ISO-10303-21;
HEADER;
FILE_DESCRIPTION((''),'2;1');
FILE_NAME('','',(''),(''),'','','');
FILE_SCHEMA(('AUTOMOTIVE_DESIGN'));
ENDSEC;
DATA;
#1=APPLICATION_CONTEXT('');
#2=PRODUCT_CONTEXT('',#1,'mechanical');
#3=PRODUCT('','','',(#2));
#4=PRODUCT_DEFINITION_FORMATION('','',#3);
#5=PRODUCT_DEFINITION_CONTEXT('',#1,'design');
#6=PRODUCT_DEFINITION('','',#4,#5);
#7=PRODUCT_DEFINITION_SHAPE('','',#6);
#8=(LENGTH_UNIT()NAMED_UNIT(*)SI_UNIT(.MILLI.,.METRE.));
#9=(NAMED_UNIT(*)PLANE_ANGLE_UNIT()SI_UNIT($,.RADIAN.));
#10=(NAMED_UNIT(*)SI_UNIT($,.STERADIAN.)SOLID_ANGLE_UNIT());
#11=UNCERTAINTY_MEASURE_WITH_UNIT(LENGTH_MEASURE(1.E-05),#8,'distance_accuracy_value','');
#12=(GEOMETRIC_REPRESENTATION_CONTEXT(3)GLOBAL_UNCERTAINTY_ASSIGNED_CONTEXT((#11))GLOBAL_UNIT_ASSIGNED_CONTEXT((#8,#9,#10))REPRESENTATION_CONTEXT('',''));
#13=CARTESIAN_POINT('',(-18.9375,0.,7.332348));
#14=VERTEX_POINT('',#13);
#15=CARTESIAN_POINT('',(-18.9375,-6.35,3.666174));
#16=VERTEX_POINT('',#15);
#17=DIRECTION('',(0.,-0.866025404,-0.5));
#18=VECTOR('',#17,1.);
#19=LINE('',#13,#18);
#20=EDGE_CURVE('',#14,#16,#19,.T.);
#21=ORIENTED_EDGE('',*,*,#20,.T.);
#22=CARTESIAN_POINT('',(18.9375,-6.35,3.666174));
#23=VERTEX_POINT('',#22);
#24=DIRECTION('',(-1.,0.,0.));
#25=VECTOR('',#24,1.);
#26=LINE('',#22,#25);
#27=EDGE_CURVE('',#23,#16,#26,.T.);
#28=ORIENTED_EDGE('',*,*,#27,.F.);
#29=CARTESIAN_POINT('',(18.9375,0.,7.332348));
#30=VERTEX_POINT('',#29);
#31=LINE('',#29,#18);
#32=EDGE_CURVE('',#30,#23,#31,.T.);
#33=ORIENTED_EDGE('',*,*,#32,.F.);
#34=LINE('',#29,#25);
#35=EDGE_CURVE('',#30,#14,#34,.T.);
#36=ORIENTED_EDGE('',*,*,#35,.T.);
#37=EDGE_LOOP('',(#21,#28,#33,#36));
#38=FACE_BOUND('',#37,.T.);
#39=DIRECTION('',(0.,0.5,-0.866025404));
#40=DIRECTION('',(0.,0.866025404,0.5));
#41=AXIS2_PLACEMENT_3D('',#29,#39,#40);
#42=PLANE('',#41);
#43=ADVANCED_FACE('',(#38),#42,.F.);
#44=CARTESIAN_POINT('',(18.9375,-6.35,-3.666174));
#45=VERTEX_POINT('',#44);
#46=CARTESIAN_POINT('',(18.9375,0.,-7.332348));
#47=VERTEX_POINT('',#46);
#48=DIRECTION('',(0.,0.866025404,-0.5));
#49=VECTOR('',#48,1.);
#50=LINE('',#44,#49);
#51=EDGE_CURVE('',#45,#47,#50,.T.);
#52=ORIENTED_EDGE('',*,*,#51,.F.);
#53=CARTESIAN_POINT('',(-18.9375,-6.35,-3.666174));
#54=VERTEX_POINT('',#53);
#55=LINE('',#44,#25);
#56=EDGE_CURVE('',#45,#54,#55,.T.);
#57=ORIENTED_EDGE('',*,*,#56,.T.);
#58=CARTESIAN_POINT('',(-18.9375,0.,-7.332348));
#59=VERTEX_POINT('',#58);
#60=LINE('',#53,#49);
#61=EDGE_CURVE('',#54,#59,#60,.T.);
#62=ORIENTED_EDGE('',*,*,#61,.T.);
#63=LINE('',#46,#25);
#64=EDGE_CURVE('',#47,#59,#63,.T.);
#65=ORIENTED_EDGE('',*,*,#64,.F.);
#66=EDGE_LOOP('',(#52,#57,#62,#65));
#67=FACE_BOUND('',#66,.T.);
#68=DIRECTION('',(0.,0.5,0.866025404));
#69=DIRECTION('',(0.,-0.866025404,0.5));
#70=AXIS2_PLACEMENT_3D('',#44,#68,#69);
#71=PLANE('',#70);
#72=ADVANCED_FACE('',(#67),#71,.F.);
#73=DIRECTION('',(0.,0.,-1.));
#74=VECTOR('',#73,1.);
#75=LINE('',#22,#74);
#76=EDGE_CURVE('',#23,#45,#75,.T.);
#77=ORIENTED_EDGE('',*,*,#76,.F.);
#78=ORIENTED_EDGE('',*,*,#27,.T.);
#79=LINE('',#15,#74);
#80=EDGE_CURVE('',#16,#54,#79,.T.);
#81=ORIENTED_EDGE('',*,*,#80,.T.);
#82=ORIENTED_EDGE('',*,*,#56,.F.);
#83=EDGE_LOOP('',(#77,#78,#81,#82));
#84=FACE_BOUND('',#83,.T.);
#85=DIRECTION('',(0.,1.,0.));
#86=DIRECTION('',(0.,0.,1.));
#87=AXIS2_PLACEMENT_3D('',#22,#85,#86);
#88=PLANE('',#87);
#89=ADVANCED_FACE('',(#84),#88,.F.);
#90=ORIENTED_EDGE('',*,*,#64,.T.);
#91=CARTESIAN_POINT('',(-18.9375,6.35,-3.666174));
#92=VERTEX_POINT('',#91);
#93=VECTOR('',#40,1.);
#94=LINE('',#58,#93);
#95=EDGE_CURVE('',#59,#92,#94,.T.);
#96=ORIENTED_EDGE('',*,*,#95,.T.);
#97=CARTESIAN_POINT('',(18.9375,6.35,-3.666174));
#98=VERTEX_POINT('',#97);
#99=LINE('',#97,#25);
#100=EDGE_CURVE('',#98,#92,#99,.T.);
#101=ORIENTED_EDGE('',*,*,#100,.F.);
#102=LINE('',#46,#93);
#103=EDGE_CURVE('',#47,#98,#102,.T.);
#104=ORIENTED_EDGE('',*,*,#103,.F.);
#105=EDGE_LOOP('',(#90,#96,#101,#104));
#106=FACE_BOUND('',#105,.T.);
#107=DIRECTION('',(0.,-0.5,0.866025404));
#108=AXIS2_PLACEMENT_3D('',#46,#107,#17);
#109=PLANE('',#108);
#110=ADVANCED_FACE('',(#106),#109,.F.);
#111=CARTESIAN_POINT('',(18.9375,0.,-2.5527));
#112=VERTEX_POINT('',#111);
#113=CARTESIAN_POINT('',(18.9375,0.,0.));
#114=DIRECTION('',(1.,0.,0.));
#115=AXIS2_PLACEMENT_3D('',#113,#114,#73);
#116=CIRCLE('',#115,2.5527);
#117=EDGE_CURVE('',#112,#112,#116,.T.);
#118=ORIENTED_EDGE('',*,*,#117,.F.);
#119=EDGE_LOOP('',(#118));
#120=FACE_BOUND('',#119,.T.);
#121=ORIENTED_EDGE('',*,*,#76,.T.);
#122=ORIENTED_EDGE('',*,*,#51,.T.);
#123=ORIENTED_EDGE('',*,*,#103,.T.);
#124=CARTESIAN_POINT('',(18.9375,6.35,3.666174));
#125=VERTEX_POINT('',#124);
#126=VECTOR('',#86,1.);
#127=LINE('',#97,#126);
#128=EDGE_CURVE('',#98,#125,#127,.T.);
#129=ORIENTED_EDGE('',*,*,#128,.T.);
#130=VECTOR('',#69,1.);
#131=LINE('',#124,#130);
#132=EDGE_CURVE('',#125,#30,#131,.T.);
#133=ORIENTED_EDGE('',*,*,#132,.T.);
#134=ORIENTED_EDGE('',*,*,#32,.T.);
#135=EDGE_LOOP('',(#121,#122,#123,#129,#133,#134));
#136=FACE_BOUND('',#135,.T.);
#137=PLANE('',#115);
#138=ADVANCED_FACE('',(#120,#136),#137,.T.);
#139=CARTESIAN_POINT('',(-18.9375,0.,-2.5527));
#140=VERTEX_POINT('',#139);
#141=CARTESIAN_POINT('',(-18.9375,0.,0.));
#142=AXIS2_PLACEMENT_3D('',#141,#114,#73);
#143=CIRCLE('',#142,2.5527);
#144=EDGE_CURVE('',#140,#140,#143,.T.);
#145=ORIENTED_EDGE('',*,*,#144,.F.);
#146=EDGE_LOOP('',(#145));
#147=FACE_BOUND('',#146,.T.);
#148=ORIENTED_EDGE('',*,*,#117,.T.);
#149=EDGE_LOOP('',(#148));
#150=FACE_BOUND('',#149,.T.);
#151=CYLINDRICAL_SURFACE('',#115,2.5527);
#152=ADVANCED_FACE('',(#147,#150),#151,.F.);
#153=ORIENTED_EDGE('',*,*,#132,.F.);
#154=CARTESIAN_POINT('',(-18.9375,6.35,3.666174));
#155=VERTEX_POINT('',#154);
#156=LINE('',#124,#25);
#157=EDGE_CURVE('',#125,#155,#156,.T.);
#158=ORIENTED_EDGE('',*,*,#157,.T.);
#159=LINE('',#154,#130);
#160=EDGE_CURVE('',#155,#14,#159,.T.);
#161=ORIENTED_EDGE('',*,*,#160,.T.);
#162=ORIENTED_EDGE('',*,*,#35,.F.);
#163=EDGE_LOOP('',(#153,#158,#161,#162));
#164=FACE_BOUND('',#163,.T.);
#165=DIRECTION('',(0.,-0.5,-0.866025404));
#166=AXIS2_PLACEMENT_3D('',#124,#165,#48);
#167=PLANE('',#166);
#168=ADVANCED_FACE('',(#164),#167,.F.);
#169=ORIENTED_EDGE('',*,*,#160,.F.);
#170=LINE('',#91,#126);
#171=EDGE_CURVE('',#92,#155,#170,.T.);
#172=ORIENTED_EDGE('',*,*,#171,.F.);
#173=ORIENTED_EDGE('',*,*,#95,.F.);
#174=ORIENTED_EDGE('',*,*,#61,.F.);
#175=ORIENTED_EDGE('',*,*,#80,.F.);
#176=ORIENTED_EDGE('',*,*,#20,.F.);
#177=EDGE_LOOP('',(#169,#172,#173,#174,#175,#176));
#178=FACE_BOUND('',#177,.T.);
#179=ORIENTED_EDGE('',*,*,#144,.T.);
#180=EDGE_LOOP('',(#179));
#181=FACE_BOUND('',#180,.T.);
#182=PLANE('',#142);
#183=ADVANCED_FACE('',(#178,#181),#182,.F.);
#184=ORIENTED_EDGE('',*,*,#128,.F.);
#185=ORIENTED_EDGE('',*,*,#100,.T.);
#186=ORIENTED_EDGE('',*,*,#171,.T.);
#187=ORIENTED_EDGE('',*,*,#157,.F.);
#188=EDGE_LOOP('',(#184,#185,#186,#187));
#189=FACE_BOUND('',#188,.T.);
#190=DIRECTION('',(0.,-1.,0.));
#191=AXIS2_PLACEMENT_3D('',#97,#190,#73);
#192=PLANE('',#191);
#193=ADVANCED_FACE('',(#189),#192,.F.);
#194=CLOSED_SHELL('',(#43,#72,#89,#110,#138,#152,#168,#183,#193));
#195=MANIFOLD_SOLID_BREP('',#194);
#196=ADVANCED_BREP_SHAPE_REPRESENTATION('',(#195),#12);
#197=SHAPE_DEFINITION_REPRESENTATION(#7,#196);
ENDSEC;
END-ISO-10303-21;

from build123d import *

# Parameters (mm, degrees)
BOSS_EXTRUDE1_DEPTH     = 18.937499939
F_1_4_20_TAPPED_HOLE1_D = 5.1054


with BuildPart() as part:
    # Sketch1 → Boss-Extrude1 (new, symmetric)
    with BuildSketch(Plane(origin=(0, 0, 0), x_dir=(0, 0, -1), z_dir=(1, 0, 0))):
        Polygon((7.332348419, 0), (3.666174209, 6.35), (-3.666174209, 6.35), (-7.332348419, 0), (-3.666174209, -6.35), (3.666174209, -6.35), align=None)
    extrude(amount=BOSS_EXTRUDE1_DEPTH, both=True)

    # 1/4-20 Tapped Hole1 (through all)
    with Locations(Plane(origin=(18.937499939, 0, 0), x_dir=(0, 0, -1), z_dir=(1, 0, 0))):
        with Locations((0, 0)):
            Hole(F_1_4_20_TAPPED_HOLE1_D / 2)


solid = part.part
